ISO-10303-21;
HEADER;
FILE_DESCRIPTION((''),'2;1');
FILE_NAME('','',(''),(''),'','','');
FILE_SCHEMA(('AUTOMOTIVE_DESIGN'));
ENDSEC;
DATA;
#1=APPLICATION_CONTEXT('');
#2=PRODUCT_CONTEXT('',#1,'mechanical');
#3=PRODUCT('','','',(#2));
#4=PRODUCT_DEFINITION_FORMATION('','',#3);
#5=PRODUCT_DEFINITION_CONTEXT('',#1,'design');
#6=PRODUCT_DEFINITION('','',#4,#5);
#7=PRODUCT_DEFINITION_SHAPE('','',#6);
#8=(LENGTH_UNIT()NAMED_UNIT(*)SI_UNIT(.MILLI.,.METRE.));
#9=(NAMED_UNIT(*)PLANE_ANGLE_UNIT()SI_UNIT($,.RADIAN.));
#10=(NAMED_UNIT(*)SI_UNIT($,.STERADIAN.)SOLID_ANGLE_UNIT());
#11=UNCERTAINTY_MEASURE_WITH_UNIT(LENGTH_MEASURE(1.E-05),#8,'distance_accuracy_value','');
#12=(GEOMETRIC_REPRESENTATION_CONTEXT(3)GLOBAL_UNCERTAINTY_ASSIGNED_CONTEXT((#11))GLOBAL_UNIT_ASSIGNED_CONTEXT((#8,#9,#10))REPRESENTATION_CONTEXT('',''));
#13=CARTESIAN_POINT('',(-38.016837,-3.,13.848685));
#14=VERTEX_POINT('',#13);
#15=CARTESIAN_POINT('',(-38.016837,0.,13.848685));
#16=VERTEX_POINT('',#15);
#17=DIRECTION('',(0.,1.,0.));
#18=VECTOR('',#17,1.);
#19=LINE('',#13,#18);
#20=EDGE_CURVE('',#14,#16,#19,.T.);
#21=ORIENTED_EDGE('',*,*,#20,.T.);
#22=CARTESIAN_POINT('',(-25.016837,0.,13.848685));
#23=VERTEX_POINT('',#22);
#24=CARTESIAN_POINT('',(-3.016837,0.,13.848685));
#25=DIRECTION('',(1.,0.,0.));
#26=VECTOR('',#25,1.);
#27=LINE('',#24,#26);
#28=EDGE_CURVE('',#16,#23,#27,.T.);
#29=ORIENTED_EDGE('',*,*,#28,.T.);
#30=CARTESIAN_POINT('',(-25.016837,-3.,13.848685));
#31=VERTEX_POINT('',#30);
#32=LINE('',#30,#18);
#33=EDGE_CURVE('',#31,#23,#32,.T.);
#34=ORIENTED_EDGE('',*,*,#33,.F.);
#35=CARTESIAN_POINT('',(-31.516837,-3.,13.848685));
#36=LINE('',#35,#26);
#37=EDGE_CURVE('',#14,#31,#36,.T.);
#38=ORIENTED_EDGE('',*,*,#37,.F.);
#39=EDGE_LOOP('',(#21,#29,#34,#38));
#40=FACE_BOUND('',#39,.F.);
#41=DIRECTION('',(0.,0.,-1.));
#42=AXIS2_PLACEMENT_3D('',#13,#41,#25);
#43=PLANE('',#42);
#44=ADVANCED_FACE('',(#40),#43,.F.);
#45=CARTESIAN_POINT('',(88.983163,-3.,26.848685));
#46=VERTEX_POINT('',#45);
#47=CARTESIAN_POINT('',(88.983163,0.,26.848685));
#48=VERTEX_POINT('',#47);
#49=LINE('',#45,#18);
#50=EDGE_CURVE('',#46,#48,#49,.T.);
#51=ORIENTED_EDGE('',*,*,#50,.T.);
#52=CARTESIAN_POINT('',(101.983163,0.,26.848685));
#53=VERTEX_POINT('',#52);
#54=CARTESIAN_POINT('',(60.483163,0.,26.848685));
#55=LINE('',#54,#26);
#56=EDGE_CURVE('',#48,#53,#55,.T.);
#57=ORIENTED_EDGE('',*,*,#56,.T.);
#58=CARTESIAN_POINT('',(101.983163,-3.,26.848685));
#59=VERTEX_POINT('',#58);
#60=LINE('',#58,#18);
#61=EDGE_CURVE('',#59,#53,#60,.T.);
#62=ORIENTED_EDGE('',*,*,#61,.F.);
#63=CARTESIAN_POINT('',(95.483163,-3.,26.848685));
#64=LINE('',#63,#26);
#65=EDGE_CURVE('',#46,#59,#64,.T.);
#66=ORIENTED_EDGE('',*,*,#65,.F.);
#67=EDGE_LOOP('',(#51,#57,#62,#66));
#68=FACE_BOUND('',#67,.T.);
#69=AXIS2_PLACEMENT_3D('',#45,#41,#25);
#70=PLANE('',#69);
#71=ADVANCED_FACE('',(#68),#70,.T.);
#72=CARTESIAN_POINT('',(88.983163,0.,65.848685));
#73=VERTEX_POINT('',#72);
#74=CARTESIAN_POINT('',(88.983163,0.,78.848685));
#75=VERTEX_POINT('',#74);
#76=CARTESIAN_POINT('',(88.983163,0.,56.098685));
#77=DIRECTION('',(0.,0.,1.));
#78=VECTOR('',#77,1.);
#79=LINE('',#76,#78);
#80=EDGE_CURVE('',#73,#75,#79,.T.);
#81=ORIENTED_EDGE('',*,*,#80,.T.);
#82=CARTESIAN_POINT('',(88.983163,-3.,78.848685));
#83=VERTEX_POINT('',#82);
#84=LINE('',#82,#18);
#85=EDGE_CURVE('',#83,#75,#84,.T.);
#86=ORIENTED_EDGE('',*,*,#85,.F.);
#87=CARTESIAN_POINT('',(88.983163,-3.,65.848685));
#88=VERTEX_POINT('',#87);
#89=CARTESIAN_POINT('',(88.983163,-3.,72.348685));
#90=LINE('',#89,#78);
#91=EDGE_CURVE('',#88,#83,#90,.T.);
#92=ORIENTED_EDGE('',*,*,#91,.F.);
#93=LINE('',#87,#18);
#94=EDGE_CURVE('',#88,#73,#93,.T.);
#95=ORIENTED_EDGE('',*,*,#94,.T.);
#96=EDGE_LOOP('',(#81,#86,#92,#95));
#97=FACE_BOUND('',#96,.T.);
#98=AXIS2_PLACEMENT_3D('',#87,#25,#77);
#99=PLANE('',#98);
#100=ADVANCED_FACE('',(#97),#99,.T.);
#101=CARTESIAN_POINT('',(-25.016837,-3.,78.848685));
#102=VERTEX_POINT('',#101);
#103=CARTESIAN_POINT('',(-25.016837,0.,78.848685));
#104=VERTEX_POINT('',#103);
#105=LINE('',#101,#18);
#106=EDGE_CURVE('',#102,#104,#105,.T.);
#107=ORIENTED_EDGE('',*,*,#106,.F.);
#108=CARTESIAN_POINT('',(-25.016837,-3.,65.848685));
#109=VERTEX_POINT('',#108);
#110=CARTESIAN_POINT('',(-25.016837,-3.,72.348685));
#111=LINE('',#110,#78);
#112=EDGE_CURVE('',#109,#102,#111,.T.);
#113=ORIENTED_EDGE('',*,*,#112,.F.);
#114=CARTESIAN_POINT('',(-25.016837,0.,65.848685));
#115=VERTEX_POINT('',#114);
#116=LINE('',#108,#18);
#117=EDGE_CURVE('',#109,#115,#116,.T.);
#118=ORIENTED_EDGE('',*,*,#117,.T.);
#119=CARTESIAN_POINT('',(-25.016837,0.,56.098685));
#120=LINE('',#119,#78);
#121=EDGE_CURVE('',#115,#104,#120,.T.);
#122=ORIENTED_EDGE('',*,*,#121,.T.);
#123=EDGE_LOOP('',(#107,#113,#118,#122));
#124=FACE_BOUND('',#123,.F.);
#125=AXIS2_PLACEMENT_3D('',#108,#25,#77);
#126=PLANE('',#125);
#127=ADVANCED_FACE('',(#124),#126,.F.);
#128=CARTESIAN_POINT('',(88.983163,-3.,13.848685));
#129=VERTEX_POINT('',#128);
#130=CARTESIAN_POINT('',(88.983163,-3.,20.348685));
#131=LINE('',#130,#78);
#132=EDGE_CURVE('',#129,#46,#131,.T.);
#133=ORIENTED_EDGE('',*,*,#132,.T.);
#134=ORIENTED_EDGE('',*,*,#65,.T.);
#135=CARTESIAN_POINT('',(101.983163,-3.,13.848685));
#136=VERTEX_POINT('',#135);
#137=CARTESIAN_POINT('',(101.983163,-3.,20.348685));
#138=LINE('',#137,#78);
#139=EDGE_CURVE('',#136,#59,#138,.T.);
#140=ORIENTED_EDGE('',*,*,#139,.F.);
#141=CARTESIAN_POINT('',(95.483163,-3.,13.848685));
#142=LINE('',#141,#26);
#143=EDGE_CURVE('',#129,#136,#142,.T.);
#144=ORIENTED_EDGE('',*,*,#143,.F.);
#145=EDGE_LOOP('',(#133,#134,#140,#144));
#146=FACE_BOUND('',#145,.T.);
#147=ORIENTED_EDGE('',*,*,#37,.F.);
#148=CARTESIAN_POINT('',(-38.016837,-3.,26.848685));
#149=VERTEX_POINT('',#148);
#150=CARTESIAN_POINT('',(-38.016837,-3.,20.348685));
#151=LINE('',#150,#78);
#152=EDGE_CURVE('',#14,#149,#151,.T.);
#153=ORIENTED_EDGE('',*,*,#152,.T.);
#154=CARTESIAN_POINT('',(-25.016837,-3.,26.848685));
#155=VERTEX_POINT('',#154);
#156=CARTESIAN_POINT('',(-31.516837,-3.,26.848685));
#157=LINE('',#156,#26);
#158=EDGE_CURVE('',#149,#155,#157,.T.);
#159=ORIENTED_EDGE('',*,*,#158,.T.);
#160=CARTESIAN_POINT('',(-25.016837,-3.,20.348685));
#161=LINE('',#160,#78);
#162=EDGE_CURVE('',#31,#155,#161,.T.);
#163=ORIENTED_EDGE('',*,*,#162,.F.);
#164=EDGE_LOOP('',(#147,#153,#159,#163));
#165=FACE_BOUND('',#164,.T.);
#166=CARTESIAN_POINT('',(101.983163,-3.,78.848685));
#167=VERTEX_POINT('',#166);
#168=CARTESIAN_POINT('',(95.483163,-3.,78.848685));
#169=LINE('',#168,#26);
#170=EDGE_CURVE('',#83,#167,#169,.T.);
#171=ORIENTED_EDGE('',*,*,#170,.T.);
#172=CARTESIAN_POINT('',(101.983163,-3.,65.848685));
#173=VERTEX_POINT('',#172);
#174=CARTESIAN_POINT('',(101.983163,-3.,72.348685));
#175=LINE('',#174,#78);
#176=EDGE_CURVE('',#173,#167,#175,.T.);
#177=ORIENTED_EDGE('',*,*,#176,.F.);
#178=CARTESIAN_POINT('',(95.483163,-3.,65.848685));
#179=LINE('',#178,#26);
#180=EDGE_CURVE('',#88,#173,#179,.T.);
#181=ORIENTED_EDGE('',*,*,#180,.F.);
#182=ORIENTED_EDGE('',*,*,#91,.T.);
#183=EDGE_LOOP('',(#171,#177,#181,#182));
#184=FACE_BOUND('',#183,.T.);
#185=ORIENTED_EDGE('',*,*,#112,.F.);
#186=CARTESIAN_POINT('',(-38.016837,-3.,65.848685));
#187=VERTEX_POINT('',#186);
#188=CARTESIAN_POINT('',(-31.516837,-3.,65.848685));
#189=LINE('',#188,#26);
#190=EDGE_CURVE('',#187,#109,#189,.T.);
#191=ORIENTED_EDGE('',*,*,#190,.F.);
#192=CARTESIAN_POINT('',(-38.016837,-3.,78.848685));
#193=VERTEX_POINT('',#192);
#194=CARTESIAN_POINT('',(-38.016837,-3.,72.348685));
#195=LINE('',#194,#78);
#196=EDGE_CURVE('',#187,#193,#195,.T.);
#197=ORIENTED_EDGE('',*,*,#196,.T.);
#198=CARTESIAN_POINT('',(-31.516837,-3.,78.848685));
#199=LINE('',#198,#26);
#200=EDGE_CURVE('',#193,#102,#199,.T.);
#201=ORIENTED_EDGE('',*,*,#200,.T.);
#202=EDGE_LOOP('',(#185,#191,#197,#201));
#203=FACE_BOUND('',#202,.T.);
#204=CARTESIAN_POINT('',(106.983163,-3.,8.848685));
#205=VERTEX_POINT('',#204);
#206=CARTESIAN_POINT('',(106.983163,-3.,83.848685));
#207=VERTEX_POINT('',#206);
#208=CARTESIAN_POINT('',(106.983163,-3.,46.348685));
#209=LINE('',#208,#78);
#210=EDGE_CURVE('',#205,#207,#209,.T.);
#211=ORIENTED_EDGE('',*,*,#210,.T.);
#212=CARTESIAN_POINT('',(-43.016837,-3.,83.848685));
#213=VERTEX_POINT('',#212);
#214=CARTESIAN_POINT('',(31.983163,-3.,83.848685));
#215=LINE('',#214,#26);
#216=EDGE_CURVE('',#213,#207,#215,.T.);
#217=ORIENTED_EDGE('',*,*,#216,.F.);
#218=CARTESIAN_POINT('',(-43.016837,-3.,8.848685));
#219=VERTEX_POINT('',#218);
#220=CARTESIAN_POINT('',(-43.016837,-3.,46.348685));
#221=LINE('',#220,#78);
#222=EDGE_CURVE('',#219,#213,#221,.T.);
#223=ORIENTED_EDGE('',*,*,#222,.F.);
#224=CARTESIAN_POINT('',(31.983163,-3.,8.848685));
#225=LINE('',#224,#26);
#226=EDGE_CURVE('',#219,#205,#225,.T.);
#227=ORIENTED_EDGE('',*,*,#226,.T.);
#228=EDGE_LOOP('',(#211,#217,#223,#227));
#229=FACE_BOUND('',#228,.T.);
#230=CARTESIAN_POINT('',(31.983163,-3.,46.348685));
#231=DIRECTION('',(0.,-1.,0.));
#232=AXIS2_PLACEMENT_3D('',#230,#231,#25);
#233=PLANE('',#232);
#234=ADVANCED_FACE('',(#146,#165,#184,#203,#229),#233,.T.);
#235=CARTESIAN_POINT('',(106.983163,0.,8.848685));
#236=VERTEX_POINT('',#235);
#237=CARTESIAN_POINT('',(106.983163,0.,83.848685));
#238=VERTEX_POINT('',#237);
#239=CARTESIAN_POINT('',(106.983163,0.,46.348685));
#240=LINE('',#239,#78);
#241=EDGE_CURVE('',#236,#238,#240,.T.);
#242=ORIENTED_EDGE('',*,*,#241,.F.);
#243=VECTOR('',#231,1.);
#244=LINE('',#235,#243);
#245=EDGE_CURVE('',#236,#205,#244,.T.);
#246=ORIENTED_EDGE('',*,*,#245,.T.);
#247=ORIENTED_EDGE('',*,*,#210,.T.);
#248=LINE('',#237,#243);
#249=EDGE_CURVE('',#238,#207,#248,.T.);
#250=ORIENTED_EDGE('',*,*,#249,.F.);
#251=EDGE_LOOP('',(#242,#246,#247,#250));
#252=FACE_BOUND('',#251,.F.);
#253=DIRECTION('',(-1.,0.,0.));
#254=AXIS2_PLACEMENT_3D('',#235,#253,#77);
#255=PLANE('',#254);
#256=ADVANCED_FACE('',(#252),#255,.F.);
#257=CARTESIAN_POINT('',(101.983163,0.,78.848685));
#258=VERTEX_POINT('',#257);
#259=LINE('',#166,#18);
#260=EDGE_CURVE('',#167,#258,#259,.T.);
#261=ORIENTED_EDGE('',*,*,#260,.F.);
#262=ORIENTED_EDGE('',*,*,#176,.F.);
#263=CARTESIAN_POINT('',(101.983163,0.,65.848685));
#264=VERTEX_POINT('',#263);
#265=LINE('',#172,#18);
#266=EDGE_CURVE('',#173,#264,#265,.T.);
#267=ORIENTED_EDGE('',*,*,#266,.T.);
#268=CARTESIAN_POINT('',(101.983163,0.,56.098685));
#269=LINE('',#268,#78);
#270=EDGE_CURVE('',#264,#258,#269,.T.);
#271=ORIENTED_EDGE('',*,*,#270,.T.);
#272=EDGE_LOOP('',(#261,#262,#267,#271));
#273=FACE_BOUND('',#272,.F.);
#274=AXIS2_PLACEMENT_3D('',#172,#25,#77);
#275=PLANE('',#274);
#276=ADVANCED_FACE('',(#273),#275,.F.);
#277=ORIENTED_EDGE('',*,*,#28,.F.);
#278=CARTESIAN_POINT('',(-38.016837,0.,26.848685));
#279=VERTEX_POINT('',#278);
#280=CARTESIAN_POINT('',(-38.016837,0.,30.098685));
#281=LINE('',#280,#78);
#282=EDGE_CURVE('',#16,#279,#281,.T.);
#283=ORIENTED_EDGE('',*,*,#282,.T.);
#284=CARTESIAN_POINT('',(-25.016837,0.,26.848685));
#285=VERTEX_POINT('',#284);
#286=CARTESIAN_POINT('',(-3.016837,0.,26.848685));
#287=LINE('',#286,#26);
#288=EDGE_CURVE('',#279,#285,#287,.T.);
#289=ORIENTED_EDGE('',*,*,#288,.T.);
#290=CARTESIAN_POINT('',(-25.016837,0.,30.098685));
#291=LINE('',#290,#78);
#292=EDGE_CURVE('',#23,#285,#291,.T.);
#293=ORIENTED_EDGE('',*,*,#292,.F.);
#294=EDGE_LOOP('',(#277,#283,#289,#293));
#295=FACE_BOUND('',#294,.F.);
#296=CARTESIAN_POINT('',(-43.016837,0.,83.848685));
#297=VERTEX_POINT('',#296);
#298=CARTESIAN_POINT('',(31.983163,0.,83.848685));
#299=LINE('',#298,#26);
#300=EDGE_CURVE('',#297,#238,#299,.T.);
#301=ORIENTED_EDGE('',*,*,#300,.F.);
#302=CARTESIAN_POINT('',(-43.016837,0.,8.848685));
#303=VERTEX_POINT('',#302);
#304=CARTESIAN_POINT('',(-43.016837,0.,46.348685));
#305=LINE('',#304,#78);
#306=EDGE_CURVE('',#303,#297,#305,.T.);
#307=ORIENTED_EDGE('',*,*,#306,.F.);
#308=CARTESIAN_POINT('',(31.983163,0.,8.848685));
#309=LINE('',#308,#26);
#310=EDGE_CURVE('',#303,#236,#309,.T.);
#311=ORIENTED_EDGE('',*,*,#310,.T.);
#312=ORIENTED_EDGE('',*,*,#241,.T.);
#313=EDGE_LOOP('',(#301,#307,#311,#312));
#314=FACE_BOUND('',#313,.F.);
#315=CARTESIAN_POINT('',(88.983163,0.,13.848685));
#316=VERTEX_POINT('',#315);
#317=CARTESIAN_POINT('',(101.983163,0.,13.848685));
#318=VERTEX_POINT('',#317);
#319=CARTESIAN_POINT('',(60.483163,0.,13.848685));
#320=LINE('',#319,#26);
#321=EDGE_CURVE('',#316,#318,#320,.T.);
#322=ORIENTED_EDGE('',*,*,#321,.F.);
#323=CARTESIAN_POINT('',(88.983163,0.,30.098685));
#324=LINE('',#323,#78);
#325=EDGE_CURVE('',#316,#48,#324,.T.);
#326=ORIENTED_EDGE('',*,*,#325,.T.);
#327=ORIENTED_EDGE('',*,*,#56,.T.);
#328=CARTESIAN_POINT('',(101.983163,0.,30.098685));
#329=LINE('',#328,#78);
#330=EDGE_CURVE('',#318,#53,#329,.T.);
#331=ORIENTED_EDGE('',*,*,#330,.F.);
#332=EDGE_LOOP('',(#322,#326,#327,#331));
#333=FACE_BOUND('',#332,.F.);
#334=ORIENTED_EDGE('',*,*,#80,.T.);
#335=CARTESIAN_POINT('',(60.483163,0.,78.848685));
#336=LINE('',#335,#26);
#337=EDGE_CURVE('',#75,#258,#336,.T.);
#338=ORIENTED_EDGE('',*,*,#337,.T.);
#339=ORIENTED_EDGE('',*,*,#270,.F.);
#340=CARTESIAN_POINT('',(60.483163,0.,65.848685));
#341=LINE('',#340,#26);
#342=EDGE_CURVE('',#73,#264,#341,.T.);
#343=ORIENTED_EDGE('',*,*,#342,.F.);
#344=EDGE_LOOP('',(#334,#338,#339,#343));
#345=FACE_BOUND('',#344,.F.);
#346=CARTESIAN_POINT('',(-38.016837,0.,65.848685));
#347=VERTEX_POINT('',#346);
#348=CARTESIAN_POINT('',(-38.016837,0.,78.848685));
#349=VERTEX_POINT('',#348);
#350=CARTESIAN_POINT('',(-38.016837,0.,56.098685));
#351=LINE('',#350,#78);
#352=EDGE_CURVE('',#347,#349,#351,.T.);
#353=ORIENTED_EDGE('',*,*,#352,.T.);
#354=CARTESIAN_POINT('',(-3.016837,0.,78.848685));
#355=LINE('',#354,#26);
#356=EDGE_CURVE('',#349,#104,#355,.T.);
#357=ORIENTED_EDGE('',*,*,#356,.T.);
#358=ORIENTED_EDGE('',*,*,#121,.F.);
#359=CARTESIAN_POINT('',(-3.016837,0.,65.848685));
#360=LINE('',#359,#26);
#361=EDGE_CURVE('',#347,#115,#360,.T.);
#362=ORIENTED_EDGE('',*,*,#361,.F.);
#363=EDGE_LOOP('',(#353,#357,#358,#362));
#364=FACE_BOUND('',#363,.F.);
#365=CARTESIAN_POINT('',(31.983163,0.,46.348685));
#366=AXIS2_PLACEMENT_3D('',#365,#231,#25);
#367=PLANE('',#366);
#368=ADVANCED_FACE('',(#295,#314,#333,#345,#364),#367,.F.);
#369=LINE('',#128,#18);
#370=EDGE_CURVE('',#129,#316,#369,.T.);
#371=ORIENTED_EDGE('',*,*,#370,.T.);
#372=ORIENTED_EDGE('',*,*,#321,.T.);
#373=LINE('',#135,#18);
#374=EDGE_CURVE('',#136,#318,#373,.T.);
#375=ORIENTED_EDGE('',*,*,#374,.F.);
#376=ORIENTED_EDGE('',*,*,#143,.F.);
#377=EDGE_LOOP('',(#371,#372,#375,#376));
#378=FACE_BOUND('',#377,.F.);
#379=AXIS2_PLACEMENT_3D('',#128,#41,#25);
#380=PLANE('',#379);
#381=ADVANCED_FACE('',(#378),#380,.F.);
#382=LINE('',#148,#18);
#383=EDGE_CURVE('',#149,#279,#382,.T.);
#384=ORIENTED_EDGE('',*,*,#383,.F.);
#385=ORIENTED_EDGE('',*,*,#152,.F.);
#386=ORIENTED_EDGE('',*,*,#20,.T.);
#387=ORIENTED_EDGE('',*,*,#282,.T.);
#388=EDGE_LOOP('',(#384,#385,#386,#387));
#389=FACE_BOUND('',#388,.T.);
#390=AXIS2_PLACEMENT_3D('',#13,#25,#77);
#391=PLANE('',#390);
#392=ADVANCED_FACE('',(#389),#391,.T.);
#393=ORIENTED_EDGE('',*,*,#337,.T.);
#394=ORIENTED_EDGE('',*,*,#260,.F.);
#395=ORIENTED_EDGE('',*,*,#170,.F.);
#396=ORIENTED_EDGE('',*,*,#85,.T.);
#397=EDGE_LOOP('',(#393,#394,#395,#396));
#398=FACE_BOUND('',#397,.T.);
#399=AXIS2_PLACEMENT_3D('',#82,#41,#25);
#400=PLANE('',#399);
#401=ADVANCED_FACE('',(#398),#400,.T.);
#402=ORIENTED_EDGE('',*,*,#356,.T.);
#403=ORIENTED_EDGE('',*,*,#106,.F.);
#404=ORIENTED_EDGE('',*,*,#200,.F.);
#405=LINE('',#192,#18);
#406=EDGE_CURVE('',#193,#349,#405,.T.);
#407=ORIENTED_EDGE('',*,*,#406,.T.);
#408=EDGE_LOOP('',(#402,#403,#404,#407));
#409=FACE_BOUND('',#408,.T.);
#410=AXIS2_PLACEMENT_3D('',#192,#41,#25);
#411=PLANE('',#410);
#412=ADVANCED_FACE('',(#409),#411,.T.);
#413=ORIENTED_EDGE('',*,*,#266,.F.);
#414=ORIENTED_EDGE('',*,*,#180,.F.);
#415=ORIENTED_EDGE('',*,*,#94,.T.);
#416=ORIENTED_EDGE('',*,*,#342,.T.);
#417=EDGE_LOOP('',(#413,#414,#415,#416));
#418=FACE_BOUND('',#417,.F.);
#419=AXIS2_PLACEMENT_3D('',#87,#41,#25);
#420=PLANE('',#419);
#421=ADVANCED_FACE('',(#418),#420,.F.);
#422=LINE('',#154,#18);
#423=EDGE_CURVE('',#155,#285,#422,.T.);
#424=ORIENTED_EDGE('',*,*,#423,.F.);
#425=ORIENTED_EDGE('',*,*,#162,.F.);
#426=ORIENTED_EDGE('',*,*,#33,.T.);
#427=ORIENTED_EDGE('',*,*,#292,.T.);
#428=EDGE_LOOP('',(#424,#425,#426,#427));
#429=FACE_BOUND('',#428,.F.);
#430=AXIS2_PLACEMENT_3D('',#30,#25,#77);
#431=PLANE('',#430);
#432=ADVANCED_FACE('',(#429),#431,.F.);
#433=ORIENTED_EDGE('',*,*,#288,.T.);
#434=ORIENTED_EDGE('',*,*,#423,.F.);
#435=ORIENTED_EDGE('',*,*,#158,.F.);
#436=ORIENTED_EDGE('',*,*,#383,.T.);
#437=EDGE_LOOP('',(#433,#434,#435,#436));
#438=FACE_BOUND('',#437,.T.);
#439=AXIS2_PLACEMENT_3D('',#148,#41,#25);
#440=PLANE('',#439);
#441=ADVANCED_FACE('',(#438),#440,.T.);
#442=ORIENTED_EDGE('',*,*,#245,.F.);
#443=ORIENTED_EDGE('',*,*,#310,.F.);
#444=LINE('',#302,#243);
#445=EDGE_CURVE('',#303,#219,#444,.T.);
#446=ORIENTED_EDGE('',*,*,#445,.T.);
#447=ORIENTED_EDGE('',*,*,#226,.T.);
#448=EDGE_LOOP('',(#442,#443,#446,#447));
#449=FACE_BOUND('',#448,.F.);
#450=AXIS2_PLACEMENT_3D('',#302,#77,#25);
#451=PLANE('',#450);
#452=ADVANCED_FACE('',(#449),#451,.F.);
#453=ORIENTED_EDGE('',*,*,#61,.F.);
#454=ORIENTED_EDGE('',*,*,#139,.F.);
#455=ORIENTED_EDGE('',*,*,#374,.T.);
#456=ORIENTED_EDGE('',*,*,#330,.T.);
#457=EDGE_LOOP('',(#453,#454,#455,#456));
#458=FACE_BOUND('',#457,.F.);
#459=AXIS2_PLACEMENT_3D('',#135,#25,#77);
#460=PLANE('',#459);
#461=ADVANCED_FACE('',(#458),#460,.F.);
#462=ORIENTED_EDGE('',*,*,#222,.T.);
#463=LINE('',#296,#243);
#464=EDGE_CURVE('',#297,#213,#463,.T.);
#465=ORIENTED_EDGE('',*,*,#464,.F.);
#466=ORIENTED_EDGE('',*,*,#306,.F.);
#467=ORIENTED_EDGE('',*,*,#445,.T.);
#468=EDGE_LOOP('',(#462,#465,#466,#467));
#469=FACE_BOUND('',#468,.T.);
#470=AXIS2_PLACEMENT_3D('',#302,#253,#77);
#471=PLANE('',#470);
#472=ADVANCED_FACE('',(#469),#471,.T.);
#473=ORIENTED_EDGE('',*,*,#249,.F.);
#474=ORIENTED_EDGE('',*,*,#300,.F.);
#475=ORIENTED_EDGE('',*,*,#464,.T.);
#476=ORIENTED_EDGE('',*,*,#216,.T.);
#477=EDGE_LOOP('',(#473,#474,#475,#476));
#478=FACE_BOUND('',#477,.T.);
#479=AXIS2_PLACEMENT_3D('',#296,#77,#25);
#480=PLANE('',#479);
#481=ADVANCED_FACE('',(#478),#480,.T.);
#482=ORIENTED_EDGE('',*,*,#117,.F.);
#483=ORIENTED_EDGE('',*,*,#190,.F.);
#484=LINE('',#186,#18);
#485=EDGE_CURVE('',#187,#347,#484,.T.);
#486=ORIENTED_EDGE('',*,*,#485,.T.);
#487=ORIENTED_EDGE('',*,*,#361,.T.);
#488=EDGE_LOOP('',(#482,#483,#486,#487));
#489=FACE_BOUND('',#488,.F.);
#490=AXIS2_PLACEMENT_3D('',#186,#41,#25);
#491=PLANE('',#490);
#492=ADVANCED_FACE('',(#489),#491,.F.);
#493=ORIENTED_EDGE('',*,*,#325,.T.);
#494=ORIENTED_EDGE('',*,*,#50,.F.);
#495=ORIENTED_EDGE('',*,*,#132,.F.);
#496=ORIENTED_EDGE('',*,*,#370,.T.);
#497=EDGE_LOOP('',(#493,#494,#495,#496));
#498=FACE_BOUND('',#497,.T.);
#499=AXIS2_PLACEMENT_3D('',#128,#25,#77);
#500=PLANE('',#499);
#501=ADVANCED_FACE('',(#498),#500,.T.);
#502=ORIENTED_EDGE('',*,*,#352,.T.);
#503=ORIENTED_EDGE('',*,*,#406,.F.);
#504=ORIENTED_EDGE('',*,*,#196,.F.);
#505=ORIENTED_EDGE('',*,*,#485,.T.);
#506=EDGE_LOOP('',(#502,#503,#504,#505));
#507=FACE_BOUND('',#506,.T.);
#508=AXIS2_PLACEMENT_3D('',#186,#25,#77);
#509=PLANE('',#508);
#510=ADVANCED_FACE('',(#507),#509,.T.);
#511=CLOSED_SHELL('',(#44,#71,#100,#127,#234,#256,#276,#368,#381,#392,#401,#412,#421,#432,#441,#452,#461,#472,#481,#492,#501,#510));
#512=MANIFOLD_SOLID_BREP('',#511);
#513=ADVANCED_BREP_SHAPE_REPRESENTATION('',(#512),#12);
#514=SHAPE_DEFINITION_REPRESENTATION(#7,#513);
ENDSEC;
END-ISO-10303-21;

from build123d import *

# Parameters (mm, degrees)
F0_W     = 150
F0_H     = 75
F1_DEPTH = 3
F2_W     = 13
F2_H     = 13
F3_DEPTH = 4


with BuildPart() as f1:
    # F0 (on Front) → F1 (new body)
    with BuildSketch(Plane.XZ):
        with Locations((31.983163, 46.348685)):
            Rectangle(F0_W, F0_H)
    extrude(amount=F1_DEPTH)

    # F2 (on face) → F3 (cut)
    with BuildSketch(Plane.XZ.offset(3)):
        with Locations((-31.516837, 72.348685)):
            Rectangle(F2_W, F2_H)
        with Locations((-31.516837, 20.348685)):
            Rectangle(F2_W, F2_H)
        with Locations((95.483163, 20.348685)):
            Rectangle(F2_W, F2_H)
        with Locations((95.483163, 72.348685)):
            Rectangle(F2_W, F2_H)
    extrude(amount=-F3_DEPTH, mode=Mode.SUBTRACT)


solid = f1.part
